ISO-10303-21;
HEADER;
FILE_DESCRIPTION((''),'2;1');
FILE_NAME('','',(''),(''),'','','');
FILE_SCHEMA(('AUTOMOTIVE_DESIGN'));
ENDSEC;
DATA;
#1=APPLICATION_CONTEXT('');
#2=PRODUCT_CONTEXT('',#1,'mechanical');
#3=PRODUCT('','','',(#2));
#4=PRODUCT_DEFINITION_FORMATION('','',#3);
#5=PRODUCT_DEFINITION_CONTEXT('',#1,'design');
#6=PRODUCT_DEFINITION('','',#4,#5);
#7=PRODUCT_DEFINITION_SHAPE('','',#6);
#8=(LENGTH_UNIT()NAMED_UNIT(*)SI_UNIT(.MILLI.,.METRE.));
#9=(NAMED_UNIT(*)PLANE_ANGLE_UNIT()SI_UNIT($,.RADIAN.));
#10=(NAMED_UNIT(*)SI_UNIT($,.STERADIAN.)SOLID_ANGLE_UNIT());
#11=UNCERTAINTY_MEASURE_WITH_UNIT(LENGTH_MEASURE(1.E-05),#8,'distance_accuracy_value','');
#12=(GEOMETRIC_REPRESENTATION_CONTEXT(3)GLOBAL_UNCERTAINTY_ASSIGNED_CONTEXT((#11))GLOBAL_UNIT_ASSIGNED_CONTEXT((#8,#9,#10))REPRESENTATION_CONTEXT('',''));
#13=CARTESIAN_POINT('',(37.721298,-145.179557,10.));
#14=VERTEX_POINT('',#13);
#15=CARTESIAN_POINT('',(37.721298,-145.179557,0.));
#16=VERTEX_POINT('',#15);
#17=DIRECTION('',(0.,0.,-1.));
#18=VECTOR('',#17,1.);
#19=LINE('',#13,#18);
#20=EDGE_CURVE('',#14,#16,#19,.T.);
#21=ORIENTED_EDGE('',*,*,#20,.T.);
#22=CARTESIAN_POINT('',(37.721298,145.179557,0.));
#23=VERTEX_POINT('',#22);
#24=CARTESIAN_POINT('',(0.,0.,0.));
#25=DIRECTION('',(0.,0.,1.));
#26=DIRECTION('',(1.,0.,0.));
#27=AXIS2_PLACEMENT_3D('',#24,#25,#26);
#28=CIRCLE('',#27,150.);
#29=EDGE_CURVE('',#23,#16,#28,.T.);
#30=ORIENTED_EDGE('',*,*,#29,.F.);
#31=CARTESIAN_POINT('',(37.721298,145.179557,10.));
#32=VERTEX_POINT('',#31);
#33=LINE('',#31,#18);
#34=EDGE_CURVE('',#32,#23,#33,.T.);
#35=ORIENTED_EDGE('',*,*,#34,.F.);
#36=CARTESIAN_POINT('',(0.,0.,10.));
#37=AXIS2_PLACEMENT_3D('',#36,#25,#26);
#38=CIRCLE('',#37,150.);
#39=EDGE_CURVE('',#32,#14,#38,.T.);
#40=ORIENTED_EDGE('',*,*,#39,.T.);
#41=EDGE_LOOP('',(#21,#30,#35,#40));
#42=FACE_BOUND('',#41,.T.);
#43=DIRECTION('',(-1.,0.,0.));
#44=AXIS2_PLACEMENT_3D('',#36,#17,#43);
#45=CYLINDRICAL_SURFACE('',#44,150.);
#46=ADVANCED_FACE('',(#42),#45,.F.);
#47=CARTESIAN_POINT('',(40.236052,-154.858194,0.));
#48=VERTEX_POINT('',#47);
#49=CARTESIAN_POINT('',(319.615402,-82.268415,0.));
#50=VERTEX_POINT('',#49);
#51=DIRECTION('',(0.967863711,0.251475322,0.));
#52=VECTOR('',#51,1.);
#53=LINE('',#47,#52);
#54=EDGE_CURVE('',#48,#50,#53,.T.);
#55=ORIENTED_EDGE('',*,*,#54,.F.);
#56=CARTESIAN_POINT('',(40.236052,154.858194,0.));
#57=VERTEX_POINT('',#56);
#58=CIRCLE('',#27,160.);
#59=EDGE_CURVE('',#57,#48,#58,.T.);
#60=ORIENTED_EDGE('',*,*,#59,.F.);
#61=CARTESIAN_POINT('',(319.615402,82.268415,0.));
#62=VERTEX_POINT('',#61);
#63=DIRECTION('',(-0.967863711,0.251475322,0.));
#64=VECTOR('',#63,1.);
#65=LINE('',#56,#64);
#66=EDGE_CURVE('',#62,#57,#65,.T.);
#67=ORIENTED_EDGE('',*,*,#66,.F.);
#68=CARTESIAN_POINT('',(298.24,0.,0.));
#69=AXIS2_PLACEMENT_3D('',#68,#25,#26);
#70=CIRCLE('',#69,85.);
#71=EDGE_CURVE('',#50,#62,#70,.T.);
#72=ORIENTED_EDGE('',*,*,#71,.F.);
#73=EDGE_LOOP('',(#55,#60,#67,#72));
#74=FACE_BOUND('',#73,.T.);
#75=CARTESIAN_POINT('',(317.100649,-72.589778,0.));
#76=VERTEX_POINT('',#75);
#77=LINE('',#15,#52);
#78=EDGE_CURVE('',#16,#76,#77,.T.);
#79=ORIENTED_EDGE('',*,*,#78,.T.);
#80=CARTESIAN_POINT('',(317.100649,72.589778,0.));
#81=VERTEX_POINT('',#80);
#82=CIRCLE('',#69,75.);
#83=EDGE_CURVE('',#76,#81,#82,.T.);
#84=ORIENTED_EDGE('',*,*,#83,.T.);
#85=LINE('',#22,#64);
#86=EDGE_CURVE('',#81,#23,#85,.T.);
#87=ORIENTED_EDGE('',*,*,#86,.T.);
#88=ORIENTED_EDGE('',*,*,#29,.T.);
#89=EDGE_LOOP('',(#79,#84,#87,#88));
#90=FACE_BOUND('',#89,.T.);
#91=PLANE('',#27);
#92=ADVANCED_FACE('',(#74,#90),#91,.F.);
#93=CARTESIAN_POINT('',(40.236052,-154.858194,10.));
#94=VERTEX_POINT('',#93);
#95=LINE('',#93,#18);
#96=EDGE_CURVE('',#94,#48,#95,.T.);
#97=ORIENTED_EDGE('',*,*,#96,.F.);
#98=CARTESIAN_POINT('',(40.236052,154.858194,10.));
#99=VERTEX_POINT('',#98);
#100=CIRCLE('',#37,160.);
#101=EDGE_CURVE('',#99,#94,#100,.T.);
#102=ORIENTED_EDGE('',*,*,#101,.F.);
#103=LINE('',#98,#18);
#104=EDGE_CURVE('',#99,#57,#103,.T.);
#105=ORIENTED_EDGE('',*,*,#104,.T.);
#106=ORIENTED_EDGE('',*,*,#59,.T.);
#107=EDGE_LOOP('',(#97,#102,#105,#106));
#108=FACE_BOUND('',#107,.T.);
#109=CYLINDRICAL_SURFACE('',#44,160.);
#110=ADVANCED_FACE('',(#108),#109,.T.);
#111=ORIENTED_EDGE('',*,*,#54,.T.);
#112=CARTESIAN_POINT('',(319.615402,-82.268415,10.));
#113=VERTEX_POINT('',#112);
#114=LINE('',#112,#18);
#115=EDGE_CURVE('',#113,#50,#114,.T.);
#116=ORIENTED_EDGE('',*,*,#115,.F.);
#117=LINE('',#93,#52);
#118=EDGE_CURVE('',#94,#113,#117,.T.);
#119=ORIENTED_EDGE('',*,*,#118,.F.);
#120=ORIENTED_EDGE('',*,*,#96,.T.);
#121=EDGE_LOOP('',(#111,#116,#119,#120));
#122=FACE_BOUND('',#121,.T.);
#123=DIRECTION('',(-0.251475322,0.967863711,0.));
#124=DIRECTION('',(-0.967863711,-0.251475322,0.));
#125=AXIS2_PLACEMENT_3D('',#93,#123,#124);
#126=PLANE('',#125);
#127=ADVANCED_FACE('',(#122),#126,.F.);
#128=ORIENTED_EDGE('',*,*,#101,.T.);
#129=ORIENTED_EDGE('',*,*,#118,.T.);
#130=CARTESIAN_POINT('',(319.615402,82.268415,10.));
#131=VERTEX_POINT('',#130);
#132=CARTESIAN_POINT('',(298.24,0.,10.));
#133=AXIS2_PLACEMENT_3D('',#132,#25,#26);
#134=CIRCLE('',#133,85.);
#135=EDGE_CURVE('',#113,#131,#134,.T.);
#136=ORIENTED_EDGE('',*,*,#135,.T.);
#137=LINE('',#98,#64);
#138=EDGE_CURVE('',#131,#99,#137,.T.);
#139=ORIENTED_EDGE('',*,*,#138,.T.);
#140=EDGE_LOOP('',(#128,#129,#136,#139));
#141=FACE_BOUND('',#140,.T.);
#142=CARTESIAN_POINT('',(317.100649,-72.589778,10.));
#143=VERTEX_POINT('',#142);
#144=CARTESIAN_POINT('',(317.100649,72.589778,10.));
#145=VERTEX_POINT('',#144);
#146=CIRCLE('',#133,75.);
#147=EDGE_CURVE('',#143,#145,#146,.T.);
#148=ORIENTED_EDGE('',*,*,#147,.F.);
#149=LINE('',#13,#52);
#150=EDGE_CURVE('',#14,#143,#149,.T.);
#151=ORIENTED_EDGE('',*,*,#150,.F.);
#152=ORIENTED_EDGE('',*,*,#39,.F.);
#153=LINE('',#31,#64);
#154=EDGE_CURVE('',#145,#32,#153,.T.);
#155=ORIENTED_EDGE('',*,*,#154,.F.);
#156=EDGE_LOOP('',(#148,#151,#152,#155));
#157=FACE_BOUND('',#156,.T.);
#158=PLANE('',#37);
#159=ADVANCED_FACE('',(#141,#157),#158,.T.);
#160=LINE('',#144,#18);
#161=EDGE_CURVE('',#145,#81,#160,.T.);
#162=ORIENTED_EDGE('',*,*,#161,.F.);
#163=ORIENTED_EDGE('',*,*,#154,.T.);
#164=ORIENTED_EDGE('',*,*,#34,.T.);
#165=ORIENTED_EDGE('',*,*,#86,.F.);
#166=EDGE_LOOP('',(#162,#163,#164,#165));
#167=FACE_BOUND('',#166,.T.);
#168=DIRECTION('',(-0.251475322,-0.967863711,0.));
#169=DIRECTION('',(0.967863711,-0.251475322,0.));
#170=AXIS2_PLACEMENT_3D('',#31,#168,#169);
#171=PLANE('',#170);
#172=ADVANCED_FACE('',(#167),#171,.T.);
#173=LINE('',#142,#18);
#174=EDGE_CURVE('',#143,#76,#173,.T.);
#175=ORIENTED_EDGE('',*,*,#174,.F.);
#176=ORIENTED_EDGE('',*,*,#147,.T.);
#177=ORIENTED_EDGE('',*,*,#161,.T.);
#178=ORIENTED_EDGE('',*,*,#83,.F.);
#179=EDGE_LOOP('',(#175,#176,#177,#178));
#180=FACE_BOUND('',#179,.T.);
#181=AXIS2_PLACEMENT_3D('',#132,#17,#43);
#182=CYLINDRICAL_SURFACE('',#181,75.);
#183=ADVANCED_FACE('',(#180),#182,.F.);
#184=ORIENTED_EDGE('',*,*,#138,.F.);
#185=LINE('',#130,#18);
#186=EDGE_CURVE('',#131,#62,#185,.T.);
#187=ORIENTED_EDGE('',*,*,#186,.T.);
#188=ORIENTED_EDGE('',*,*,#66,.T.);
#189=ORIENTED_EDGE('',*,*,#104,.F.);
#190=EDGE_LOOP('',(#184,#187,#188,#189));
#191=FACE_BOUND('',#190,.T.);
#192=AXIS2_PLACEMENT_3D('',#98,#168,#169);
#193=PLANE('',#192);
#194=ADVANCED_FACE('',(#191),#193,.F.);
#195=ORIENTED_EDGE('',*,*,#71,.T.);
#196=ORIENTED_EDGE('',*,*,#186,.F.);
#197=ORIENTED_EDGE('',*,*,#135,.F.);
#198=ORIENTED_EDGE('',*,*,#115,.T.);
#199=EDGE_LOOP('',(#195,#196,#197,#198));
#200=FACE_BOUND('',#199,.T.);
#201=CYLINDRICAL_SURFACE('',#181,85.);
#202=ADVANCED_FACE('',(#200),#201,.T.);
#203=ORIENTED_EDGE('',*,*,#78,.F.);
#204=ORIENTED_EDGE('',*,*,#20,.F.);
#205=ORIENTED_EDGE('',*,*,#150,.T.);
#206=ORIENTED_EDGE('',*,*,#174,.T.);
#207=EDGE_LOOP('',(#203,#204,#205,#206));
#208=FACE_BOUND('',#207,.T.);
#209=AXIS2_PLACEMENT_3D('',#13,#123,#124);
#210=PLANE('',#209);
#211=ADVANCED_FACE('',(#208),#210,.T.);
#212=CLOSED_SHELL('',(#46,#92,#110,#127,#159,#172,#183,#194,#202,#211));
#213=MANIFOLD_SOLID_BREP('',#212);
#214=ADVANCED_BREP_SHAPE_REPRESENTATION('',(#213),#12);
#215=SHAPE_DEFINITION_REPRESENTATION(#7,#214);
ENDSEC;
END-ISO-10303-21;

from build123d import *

# Parameters (mm, degrees)
BOSS_EXTRUDE1_DEPTH = 10


with BuildPart() as part:
    # Sketch1 → Boss-Extrude1 (new body)
    with BuildSketch(Plane.XY):
        with BuildLine():
            Line((40.236051502, 154.858193711), (319.615402361, 82.268415409))
            ThreePointArc((319.615402361, 82.268415409), (383.24, 0), (319.615402361, -82.268415409))
            Line((319.615402361, -82.268415409), (40.236051502, -154.858193711))
            ThreePointArc((40.236051502, -154.858193711), (-160, 0), (40.236051502, 154.858193711))
        make_face()
        with BuildLine():
            Line((37.721298283, 145.179556604), (317.100649142, 72.589778302))
            ThreePointArc((317.100649142, 72.589778302), (373.24, 0), (317.100649142, -72.589778302))
            Line((317.100649142, -72.589778302), (37.721298283, -145.179556604))
            ThreePointArc((37.721298283, -145.179556604), (-150, 0), (37.721298283, 145.179556604))
        make_face(mode=Mode.SUBTRACT)
    extrude(amount=BOSS_EXTRUDE1_DEPTH)


solid = part.part
